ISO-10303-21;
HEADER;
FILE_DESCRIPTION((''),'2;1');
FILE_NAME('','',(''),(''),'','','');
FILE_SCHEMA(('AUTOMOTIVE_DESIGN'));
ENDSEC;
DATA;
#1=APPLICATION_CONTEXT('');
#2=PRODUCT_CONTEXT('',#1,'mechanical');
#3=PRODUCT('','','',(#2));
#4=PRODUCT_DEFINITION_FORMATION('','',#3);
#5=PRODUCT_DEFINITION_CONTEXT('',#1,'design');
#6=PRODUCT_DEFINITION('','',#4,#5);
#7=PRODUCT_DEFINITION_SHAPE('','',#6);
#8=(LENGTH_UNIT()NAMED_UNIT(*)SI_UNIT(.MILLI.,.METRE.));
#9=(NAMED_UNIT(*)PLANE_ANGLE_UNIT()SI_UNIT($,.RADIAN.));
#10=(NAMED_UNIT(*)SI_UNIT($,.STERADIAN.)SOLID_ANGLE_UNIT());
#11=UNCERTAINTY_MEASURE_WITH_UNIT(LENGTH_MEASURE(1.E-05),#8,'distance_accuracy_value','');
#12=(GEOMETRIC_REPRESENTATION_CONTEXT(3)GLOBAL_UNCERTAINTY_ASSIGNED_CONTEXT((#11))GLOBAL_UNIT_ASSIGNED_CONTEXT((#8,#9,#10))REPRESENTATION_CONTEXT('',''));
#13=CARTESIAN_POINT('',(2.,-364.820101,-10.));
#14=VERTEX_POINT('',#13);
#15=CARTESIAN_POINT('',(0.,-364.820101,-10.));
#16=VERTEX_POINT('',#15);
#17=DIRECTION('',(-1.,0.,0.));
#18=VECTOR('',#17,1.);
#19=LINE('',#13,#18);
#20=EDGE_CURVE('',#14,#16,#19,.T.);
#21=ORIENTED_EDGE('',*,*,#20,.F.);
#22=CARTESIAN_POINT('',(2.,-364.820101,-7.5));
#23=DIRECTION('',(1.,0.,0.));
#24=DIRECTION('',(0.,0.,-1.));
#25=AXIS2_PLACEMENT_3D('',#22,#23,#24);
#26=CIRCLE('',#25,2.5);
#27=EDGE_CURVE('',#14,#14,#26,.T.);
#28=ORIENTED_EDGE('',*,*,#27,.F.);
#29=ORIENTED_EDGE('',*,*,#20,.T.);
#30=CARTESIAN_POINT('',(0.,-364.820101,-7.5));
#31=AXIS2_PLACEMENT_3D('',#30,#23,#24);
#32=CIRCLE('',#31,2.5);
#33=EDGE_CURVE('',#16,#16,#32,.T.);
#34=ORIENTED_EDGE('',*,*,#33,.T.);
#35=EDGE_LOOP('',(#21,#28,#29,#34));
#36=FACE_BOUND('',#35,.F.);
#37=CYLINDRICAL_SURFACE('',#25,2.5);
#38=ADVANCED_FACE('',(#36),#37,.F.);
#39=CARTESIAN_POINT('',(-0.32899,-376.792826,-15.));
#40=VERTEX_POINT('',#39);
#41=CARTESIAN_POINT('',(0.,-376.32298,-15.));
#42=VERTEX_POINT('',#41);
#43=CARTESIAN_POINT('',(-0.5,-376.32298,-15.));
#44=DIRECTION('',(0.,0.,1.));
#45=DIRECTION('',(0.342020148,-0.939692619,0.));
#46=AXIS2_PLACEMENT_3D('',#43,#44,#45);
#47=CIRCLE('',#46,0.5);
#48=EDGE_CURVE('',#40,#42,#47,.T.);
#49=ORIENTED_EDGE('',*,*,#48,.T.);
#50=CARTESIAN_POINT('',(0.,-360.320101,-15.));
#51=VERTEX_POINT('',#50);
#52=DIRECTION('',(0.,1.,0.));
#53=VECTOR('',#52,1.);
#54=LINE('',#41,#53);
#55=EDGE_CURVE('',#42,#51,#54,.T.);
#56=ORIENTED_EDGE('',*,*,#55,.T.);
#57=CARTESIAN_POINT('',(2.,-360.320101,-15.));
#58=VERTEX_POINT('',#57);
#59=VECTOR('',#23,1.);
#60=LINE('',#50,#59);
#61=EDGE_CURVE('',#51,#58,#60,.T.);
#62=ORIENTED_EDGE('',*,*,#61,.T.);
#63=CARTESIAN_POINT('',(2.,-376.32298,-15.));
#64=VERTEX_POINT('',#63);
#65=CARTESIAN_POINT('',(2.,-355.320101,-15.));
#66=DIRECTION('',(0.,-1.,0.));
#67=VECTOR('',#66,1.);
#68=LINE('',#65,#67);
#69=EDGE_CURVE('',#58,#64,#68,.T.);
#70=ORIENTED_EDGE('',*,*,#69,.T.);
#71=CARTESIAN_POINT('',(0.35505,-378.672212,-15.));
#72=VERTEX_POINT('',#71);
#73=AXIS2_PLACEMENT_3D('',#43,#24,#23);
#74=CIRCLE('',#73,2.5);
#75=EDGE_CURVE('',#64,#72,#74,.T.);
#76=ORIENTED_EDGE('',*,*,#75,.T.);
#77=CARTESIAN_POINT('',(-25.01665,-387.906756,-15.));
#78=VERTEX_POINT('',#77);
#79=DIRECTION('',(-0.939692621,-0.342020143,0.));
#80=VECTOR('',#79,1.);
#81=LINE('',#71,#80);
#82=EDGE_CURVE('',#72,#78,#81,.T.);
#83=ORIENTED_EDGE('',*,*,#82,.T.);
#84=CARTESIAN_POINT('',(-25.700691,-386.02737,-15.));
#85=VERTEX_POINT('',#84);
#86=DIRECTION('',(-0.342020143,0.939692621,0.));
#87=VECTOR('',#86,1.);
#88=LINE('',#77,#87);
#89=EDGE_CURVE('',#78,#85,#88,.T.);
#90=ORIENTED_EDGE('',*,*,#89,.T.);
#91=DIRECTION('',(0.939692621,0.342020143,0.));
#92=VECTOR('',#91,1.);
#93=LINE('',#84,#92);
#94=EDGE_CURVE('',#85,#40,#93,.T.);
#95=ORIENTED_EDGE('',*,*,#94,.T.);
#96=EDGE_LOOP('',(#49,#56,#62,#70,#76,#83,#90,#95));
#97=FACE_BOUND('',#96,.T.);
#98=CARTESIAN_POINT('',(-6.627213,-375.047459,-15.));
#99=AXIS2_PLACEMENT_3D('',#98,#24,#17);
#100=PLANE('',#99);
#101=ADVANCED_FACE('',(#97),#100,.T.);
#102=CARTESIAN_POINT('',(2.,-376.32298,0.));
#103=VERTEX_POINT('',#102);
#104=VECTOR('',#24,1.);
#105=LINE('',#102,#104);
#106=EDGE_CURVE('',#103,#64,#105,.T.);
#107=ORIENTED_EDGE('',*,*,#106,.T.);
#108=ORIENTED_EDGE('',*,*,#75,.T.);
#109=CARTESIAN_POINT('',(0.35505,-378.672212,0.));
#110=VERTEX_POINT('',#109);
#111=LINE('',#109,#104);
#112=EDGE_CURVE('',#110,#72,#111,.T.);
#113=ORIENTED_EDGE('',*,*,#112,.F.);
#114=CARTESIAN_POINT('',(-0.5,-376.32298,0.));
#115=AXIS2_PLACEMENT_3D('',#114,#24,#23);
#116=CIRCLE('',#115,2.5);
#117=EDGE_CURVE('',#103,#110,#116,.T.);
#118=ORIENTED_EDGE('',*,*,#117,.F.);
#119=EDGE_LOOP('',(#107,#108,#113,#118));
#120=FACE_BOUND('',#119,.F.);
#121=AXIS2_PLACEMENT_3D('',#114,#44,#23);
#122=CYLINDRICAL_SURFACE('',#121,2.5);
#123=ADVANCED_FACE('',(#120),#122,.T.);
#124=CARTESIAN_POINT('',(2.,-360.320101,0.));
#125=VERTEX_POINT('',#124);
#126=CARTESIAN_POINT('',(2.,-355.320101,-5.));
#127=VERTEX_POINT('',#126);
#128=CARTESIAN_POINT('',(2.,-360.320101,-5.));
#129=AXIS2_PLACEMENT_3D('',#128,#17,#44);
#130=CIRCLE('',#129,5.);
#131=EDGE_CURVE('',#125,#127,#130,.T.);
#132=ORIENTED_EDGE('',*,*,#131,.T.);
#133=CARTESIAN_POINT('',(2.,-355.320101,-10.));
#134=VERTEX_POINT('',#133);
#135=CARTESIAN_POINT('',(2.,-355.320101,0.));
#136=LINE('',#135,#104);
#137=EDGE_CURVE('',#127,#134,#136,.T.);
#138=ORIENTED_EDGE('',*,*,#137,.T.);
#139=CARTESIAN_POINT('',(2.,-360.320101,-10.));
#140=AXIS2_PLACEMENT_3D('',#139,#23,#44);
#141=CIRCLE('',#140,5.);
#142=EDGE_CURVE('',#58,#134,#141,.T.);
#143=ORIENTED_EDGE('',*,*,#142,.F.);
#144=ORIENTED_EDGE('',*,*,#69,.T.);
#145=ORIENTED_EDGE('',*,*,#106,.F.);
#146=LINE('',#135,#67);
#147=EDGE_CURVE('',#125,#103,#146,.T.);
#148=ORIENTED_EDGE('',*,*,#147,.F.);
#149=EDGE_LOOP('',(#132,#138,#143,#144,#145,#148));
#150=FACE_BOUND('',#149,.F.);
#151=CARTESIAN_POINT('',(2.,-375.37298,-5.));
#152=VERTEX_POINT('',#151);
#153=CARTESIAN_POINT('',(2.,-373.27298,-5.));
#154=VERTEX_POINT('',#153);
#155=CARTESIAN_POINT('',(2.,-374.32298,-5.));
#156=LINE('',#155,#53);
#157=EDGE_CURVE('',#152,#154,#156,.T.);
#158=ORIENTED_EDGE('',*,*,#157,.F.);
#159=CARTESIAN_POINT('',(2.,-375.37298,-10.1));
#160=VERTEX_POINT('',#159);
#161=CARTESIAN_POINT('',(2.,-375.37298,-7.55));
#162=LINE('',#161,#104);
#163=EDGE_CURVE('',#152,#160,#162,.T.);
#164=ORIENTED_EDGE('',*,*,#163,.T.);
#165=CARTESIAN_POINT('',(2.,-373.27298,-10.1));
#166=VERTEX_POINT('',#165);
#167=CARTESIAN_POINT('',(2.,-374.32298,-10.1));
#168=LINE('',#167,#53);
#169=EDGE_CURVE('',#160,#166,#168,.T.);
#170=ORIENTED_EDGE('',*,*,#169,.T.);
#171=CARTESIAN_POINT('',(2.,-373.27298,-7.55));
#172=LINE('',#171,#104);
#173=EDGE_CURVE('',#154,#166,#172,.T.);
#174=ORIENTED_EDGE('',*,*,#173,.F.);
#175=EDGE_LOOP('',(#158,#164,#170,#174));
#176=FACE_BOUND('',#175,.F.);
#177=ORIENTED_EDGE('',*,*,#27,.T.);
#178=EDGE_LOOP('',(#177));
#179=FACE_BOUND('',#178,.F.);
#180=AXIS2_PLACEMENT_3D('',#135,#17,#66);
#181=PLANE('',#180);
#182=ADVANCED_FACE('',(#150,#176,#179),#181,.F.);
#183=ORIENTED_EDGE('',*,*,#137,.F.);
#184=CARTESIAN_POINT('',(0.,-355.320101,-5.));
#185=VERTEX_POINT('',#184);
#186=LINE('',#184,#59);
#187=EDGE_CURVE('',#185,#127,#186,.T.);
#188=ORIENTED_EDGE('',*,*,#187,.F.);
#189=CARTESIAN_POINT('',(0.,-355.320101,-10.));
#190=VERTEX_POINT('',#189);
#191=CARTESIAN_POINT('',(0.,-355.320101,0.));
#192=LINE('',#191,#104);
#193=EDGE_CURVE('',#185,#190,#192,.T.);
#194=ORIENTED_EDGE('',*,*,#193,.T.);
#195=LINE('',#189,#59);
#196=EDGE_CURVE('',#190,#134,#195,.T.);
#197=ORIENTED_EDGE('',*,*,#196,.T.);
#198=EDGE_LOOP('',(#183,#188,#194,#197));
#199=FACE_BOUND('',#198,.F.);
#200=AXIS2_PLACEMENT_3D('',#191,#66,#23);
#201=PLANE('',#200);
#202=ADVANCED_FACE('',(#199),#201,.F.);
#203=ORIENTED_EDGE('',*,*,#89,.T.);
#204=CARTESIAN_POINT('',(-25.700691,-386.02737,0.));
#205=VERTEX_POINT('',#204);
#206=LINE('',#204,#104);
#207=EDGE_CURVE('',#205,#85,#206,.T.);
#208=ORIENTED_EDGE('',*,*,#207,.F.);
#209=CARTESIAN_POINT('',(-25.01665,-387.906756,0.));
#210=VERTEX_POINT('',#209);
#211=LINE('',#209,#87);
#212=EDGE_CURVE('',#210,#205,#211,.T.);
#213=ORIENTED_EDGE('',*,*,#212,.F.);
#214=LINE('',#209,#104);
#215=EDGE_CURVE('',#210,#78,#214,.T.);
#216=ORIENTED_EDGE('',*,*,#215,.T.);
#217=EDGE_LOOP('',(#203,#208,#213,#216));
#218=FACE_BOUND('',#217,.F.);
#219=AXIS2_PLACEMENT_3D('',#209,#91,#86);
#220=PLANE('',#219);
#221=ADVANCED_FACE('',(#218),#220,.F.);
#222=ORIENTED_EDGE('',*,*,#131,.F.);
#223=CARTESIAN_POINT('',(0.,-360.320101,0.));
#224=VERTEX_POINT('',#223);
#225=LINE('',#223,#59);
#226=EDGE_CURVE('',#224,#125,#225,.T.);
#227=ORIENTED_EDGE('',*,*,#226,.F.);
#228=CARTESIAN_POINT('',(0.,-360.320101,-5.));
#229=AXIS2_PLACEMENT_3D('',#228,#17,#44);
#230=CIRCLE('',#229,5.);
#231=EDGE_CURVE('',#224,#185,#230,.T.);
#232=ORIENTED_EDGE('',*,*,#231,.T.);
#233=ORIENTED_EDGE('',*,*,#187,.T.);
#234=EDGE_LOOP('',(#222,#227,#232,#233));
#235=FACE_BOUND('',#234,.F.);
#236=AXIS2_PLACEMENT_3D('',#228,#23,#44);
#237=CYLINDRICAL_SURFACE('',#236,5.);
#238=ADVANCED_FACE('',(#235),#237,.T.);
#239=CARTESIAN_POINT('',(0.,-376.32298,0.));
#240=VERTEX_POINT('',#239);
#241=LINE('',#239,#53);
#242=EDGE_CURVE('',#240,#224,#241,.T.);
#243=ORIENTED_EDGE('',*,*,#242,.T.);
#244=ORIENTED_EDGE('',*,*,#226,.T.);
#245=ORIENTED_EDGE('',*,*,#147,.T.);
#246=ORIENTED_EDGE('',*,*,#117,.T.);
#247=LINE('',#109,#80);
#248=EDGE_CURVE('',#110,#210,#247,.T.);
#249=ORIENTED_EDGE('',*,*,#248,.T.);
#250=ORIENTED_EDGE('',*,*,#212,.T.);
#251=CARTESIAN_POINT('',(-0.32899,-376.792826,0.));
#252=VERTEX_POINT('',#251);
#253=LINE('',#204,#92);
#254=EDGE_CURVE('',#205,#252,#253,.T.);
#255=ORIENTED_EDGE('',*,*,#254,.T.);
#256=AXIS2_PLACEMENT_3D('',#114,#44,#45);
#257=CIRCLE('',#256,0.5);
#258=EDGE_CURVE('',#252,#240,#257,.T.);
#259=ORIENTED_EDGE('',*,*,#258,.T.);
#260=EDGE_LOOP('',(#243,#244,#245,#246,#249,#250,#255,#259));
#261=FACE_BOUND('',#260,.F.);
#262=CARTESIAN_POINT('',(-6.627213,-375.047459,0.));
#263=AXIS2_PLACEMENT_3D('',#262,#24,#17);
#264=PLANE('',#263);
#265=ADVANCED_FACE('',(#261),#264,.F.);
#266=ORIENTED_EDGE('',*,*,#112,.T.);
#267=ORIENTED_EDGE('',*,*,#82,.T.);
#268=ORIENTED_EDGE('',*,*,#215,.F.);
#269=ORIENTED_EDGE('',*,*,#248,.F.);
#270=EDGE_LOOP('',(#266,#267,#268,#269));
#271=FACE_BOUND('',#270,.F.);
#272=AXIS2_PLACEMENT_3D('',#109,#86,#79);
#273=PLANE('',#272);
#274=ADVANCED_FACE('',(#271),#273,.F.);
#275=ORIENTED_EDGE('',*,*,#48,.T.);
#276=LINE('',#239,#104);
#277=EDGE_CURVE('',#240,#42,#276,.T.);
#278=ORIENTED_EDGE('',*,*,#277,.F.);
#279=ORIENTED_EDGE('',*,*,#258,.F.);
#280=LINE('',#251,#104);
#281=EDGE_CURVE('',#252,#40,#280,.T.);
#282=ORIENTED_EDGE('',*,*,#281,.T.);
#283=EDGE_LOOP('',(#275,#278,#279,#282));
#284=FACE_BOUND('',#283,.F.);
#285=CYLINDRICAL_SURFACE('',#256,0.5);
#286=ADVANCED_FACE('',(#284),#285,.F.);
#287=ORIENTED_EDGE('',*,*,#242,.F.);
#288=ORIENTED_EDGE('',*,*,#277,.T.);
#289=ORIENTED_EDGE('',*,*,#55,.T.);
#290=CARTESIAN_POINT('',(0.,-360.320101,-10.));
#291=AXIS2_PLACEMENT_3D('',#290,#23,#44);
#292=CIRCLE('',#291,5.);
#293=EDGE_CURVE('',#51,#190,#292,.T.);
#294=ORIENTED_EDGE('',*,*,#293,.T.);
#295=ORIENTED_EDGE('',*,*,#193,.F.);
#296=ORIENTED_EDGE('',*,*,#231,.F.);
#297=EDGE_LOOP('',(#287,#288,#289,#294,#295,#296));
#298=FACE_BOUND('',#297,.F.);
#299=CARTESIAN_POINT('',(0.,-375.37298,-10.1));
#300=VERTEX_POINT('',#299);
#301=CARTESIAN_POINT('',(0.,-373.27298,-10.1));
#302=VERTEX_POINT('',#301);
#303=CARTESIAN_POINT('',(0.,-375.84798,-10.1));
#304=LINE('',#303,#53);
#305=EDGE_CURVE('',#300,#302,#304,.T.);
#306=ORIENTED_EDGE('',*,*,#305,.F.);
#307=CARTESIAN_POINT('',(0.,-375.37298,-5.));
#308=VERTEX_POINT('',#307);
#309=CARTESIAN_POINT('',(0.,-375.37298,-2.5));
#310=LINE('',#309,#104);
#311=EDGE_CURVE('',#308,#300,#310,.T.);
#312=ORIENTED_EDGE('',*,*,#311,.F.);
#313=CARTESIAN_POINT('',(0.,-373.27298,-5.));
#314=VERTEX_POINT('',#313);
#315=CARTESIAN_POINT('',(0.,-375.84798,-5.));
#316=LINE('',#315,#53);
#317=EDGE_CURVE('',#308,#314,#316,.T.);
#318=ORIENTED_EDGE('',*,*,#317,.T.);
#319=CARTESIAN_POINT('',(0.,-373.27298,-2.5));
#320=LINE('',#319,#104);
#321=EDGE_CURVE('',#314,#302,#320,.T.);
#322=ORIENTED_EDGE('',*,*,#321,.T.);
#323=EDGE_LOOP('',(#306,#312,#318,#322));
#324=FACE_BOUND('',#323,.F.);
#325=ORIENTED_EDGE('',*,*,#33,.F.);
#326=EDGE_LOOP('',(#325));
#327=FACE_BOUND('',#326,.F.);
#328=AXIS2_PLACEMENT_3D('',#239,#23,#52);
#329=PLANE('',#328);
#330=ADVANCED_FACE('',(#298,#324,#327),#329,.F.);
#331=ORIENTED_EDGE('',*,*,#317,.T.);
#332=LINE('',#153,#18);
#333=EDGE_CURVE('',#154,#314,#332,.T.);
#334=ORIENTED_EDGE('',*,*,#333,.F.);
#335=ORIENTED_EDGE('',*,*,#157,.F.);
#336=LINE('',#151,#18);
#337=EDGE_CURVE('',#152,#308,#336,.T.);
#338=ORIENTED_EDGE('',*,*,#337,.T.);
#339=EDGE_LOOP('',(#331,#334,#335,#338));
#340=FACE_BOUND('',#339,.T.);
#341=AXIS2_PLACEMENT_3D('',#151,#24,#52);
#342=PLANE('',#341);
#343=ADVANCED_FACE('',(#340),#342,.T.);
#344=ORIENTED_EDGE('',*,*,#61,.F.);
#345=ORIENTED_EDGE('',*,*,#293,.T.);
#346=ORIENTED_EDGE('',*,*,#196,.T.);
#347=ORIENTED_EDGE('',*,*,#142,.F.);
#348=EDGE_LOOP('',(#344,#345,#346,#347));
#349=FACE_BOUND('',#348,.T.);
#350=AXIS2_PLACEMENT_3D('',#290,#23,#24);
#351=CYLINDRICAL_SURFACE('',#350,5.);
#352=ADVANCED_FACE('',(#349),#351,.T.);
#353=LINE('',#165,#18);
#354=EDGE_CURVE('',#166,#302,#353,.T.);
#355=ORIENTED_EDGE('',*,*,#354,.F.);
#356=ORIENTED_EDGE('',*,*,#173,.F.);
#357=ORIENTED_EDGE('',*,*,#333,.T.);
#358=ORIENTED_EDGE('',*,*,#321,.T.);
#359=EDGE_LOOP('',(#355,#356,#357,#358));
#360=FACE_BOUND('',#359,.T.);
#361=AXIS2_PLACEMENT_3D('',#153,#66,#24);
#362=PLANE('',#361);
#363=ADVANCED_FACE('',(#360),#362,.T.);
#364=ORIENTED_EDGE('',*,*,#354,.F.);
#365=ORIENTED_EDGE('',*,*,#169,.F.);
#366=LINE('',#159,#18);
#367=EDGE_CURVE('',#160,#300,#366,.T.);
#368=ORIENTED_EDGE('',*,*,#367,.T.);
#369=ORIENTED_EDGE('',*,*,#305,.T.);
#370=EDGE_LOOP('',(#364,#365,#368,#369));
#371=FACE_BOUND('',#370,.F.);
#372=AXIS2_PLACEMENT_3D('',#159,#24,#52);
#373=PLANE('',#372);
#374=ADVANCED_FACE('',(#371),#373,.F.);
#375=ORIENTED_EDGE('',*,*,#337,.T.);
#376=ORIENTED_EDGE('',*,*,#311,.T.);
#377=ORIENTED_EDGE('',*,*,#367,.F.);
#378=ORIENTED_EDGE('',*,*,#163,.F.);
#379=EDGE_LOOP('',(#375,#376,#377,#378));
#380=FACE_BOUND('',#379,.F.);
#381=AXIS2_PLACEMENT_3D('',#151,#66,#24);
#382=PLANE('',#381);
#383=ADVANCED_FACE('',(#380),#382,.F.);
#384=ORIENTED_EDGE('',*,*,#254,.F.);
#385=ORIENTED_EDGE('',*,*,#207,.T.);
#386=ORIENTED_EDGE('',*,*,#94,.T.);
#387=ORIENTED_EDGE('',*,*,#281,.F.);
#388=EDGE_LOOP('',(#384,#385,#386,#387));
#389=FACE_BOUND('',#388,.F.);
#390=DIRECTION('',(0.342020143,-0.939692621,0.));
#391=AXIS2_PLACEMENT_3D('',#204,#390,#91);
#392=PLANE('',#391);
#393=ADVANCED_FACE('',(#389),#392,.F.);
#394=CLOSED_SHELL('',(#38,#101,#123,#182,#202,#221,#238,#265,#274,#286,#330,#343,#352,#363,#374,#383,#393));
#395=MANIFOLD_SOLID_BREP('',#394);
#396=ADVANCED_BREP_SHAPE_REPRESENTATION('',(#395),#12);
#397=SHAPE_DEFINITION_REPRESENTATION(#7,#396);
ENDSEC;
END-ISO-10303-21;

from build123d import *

# Parameters (mm, degrees)
DODANIE_WYCI_GNI_CIE1_DEPTH = 15
SZKIC2_R                    = 2.5
WYTNIJ_WYCI_GNI_CIE3_DEPTH  = 15
SZKIC4_W                    = 5.1
SZKIC4_H                    = 2.1
WYTNIJ_WYCI_GNI_CIE8_DEPTH  = 15
ZAOKR_GLENIE1_R             = 5


with BuildPart() as part:
    # Szkic1 → Dodanie-wyciągnięcie1 (new body)
    with BuildSketch(Plane.XY):
        with BuildLine():
            Line((0.355050358, -378.672211739), (-25.016650403, -387.906755609))
            Line((-25.016650403, -387.906755609), (-25.70069069, -386.027370367))
            Line((-25.70069069, -386.027370367), (-0.328989928, -376.792826498))
            ThreePointArc((-0.328989928, -376.792826498), (-0.090423978, -376.609768405), (0, -376.322980187))
            Line((0, -376.322980187), (0, -375.320100819))
            Line((0, -375.320100819), (0, -373.324775164))
            Line((0, -373.324775164), (0, -360.320100819))
            Line((0, -360.320100819), (0, -355.320100819))
            Line((0, -355.320100819), (2, -355.320100819))
            Line((2, -355.320100819), (2, -360.320100819))
            Line((2, -360.320100819), (2, -375.320100819))
            Line((2, -375.320100819), (2, -376.322980187))
            ThreePointArc((2, -376.322980187), (1.547880111, -377.756921278), (0.355050358, -378.672211739))
        make_face()
    extrude(amount=-DODANIE_WYCI_GNI_CIE1_DEPTH)

    # Szkic2 → Wytnij-wyciągnięcie3 (cut)
    with BuildSketch(Plane(origin=(2, 0, 0), x_dir=(0, 0, -1), z_dir=(1, 0, 0))):
        with Locations((7.5, -364.820100819)):
            Circle(SZKIC2_R)
    extrude(amount=-WYTNIJ_WYCI_GNI_CIE3_DEPTH, mode=Mode.SUBTRACT)

    # Szkic4 → Wytnij-wyciągnięcie8 (cut)
    with BuildSketch(Plane(origin=(2, 0, 0), x_dir=(0, 0, -1), z_dir=(1, 0, 0))):
        with Locations((7.55, -374.322980187)):
            Rectangle(SZKIC4_W, SZKIC4_H)
    extrude(amount=-WYTNIJ_WYCI_GNI_CIE8_DEPTH, mode=Mode.SUBTRACT)

    # Zaokrąglenie1
    zaokr_glenie1_edges = [part.edges().sort_by_distance(p)[0] for p in [
        (1, -355.320100819, -15),
        (1, -355.320100819, 0),
    ]]
    fillet(zaokr_glenie1_edges, radius=ZAOKR_GLENIE1_R)


solid = part.part
